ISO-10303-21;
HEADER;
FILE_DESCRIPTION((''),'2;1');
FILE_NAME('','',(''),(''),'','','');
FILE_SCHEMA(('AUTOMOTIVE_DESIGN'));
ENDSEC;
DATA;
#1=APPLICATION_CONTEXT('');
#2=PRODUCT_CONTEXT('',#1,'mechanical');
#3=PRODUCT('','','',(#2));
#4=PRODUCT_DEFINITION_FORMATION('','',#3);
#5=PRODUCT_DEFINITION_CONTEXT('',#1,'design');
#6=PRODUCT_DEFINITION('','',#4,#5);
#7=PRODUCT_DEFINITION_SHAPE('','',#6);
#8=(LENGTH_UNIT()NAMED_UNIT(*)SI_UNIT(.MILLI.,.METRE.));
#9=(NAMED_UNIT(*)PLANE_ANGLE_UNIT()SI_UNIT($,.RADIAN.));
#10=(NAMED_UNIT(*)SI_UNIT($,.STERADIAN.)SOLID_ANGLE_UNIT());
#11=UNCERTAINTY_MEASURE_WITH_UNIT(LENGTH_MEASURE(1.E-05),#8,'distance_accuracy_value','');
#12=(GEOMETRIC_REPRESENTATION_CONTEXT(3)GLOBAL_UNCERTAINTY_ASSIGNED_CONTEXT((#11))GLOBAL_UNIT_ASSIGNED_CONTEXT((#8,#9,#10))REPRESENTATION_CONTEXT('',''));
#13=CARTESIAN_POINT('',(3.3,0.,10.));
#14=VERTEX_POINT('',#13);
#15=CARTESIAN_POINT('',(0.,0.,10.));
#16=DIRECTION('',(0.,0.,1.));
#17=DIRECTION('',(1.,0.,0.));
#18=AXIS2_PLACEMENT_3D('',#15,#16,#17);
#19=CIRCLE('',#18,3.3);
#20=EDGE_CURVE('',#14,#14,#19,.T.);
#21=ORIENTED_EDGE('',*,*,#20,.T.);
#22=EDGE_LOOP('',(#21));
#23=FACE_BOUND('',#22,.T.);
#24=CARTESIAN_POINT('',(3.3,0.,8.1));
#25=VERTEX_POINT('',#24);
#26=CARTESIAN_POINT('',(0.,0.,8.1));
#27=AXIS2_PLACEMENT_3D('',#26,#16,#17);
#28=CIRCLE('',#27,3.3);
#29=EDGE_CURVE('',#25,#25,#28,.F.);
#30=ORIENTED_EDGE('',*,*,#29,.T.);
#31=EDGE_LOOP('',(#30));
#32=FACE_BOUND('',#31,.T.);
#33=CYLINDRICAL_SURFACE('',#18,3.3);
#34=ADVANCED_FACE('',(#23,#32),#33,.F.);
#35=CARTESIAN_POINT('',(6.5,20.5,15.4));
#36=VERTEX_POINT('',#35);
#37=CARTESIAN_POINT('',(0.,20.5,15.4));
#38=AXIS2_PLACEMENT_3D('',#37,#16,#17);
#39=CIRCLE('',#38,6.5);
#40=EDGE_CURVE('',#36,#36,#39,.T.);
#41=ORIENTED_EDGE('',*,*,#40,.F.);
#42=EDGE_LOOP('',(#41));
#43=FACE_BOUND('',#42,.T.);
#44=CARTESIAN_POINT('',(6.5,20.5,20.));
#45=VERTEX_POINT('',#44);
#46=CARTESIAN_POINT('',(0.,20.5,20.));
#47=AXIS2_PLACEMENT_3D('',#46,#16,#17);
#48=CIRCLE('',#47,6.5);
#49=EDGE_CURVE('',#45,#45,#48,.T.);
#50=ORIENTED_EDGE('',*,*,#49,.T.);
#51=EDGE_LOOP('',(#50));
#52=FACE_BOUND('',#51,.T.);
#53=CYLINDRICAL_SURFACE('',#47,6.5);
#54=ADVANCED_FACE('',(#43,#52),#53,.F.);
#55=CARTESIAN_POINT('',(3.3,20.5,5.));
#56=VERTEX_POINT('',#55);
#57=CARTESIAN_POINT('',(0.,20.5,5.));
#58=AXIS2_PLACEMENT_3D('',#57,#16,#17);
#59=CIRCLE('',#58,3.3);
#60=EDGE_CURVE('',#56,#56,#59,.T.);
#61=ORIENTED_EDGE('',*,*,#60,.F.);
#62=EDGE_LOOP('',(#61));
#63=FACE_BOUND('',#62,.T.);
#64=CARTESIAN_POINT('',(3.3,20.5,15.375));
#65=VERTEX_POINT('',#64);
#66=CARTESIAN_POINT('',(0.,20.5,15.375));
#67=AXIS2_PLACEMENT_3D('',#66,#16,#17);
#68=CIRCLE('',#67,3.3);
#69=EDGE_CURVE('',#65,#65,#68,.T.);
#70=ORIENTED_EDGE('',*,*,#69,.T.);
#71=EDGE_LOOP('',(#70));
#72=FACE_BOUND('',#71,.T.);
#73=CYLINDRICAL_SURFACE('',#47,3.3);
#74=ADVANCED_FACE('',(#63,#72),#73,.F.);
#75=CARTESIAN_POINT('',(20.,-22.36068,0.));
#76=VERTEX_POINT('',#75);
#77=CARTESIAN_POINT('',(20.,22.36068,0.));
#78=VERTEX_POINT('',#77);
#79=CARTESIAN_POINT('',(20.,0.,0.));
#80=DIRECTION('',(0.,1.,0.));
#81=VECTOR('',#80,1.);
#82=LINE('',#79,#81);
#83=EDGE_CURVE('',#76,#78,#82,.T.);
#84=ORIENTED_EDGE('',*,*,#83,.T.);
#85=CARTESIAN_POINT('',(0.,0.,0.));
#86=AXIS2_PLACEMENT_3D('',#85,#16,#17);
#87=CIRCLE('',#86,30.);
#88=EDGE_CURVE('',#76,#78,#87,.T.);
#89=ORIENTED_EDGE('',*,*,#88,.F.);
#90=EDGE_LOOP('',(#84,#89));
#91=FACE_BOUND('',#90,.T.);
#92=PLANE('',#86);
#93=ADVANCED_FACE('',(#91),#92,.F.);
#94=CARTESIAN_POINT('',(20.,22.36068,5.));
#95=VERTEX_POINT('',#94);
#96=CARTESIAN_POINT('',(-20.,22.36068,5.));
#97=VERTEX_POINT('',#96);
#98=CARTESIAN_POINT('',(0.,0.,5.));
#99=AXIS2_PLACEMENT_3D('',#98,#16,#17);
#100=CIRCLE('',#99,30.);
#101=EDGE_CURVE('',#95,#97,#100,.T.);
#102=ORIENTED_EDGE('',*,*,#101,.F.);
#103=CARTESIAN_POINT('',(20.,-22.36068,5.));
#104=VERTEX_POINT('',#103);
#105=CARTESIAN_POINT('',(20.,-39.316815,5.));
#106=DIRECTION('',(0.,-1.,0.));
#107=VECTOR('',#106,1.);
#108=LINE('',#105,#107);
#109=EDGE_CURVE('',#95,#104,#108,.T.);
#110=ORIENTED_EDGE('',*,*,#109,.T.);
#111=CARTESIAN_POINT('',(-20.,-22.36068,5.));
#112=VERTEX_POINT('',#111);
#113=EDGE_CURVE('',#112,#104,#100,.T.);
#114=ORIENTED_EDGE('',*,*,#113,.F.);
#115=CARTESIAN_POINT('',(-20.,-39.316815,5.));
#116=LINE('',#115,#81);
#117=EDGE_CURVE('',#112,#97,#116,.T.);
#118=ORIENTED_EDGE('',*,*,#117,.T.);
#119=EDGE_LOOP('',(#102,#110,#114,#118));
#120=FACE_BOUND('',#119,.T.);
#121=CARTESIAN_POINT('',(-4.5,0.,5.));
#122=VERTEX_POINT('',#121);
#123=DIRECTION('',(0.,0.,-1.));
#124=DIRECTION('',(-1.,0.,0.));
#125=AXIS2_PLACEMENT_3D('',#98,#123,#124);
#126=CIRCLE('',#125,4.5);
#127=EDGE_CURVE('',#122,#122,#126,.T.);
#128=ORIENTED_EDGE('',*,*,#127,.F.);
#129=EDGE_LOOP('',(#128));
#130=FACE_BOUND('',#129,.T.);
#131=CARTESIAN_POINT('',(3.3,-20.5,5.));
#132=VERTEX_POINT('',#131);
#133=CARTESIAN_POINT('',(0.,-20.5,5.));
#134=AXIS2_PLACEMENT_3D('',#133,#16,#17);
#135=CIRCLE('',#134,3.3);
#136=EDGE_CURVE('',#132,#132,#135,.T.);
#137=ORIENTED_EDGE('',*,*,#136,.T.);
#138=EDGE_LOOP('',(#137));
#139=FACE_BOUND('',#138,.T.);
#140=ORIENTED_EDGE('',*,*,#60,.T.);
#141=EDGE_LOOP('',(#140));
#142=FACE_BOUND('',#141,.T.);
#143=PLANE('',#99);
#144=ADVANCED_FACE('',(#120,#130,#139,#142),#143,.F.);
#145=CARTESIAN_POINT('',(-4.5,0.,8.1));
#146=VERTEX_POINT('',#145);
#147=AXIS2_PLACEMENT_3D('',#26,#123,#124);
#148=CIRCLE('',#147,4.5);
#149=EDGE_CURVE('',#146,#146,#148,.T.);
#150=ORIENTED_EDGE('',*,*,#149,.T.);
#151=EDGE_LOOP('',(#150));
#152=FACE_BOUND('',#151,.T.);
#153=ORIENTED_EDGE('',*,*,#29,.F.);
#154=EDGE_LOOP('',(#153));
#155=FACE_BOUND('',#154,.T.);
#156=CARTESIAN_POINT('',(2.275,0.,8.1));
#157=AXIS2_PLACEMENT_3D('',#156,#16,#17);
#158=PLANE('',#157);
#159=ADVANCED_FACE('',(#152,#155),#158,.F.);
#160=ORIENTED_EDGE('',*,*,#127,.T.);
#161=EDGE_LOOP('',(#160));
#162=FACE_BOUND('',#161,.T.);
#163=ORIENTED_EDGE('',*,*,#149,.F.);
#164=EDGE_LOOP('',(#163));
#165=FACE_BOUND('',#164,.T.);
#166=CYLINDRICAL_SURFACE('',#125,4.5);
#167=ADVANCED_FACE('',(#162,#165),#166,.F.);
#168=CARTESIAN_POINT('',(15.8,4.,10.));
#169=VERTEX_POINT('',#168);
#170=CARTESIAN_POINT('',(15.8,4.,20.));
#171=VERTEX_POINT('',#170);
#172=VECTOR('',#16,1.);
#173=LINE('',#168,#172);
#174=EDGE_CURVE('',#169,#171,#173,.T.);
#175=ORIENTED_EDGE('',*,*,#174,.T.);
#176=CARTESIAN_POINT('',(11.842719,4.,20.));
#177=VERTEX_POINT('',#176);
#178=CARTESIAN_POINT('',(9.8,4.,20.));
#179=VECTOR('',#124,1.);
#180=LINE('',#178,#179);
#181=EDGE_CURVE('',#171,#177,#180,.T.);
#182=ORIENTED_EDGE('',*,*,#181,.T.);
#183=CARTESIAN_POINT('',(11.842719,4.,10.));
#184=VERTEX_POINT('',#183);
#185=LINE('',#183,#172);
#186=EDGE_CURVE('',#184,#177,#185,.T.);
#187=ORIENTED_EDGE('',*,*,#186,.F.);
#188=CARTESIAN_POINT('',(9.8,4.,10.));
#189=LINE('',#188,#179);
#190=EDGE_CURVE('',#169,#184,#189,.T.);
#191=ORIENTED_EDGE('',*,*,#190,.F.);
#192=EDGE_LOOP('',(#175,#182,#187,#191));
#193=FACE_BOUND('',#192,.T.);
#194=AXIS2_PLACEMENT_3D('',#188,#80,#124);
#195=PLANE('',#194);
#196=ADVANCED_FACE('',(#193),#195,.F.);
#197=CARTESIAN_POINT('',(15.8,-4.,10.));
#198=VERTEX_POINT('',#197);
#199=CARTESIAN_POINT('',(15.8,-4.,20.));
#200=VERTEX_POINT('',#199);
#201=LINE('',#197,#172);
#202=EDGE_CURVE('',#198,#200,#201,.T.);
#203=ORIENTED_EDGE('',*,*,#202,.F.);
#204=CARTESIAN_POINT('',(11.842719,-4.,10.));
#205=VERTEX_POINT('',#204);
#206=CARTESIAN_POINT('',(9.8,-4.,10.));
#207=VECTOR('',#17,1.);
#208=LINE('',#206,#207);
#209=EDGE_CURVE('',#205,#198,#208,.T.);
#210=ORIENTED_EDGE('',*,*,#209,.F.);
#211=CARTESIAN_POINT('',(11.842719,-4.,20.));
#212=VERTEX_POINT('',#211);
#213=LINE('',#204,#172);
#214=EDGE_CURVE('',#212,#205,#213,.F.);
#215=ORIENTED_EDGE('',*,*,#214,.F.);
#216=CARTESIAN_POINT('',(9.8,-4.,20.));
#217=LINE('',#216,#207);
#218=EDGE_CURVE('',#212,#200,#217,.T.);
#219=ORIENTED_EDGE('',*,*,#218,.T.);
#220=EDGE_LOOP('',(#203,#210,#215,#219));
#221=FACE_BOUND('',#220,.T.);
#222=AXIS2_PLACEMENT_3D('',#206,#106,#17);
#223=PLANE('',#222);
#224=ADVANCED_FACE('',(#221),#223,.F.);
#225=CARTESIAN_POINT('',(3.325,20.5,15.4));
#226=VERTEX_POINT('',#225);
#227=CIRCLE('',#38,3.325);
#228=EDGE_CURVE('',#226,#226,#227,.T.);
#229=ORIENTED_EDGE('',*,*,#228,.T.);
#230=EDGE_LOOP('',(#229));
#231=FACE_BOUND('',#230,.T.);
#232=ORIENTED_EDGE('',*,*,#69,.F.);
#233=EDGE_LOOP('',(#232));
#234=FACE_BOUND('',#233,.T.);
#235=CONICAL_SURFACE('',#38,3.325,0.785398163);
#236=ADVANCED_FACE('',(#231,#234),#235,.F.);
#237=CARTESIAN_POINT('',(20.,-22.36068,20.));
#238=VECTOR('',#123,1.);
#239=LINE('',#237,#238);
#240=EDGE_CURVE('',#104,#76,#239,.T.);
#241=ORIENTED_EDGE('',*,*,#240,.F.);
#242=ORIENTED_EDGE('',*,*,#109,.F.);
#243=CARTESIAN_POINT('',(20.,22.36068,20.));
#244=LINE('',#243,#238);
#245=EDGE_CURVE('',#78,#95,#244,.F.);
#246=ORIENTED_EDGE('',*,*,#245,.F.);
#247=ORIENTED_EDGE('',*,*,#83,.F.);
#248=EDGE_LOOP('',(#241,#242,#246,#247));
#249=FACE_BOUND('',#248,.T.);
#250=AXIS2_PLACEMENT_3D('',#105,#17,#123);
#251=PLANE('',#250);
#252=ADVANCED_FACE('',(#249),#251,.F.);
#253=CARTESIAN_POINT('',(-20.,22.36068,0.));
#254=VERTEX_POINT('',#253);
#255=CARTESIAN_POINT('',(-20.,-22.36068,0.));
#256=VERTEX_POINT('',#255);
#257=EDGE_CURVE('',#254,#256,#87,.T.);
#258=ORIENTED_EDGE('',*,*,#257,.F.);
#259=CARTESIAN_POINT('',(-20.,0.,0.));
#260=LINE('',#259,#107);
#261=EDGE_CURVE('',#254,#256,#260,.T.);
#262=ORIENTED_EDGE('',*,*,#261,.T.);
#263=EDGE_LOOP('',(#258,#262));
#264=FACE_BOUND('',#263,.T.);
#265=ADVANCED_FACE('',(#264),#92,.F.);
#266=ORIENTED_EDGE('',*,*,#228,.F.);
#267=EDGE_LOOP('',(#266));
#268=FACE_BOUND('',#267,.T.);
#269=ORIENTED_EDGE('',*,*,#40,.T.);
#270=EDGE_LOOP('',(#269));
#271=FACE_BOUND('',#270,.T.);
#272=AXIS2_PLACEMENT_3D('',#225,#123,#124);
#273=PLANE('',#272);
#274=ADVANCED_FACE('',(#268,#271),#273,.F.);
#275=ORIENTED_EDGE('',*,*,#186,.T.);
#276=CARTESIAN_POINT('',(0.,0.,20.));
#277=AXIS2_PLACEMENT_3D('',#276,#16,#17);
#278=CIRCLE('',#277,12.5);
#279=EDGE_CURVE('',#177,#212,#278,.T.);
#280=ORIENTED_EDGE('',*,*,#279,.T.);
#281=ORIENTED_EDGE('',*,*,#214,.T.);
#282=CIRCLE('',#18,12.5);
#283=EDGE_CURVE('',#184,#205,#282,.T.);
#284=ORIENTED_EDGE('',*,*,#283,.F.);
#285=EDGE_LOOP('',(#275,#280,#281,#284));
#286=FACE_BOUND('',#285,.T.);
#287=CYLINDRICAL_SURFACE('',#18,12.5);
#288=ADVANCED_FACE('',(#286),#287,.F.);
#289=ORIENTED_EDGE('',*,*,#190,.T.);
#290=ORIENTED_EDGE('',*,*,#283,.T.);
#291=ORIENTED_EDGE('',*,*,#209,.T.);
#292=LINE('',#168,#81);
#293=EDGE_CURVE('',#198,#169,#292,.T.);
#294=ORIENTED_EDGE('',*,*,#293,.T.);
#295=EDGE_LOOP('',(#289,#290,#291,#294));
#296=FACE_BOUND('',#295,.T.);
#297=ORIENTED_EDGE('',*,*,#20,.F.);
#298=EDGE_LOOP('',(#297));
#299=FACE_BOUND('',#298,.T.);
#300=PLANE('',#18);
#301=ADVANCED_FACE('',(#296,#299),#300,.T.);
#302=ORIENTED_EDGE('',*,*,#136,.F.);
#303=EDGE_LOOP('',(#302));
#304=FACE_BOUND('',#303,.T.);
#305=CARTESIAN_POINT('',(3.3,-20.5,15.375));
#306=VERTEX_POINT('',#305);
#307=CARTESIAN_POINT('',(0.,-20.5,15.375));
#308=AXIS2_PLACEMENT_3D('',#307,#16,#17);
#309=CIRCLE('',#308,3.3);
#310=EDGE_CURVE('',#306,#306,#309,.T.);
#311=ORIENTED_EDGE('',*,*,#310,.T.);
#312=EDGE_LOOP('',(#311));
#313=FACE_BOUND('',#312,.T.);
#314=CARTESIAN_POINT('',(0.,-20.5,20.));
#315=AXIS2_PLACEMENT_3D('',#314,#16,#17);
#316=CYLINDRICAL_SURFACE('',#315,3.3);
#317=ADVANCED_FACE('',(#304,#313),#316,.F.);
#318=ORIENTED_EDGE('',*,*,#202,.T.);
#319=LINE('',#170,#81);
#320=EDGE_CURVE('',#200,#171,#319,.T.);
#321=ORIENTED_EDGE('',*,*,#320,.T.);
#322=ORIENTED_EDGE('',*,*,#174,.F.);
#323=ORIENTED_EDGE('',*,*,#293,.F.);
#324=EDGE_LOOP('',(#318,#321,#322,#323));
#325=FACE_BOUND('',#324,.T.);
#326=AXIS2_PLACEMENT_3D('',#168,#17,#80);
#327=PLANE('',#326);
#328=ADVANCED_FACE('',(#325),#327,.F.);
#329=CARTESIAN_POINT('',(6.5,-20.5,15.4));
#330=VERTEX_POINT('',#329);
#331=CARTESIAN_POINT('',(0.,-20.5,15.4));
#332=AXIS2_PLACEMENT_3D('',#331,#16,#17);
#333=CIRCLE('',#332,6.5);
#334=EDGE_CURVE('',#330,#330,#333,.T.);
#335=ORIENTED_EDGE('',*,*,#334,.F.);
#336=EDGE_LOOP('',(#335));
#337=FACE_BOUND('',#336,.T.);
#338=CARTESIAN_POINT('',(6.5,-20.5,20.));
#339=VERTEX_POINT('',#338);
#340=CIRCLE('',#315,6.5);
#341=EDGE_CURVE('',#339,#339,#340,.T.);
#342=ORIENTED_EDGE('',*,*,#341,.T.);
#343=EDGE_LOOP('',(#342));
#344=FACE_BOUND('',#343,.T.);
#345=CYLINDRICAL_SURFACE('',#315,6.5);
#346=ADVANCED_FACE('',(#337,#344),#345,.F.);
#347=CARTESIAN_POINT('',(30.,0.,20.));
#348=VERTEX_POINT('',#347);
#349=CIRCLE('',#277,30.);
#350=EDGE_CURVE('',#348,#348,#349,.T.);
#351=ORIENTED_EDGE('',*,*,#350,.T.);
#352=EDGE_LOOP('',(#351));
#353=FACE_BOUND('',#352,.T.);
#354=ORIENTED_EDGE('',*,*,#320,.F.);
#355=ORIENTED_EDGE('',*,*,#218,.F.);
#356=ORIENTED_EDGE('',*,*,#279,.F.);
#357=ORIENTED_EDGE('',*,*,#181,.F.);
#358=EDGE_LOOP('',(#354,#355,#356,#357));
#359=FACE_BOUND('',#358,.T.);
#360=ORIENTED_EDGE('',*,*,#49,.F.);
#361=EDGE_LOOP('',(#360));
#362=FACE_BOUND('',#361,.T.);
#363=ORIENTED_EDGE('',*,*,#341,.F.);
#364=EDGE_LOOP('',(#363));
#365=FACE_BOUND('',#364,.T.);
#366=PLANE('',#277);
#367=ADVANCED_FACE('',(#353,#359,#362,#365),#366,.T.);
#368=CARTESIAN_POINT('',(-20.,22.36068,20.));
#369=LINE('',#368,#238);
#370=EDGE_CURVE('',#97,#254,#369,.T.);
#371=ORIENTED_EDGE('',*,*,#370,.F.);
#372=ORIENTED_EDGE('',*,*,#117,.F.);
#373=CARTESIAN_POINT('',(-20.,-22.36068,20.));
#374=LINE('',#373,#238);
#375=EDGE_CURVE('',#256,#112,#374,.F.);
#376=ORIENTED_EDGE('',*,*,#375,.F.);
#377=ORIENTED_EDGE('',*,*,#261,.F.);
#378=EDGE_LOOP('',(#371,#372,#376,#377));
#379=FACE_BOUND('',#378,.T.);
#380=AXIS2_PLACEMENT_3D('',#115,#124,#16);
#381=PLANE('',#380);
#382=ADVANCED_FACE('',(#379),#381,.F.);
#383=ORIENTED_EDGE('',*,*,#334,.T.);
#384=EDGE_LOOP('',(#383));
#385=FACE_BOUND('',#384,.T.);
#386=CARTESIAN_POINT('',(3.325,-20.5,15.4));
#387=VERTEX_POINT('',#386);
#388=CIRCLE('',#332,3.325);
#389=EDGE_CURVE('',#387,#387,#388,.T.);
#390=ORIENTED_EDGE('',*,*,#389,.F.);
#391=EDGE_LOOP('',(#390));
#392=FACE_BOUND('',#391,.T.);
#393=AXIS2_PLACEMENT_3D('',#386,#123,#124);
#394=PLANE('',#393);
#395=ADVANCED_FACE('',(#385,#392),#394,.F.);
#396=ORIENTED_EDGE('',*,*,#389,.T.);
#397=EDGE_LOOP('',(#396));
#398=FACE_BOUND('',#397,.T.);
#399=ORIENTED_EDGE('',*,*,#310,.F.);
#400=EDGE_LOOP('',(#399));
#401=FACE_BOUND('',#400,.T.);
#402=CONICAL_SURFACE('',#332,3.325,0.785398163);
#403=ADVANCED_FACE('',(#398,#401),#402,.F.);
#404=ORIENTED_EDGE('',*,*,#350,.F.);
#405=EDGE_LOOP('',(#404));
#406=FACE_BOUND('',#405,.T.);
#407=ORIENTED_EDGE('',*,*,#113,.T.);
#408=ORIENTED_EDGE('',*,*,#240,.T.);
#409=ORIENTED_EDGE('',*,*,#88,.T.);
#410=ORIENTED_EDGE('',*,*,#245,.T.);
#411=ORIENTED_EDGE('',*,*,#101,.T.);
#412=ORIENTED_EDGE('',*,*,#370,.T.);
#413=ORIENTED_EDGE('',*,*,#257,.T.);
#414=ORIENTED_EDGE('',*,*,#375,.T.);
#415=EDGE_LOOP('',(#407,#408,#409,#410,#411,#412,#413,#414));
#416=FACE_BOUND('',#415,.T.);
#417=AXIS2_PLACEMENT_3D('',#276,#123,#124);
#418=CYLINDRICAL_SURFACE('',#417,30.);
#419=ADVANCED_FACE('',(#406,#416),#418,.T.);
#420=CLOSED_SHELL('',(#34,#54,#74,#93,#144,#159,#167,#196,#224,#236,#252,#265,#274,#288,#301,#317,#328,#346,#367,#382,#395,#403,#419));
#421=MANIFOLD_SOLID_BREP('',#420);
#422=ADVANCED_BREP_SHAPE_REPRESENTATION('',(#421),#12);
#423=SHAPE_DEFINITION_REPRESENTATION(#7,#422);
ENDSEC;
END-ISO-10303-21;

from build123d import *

# Parameters (mm, degrees)
ESQUISSE1_R                                  = 30
BOSS_EXTRU_1_DEPTH                           = 20
ESQUISSE2_W                                  = 40
ESQUISSE2_H                                  = 78.633630418
ENL_V_MAT_EXTRU_1_DEPTH                      = 5
ESQUISSE3_R                                  = 12.5
ENL_V_MAT_EXTRU_2_DEPTH                      = 10
D_GAGEMENT_M61_D                             = 6.6
CHAMBRAGE_POUR_VIS_T_TE_RONDE_BOMB_2_A_COUNT = 2
CHAMBRAGE_POUR_VIS_T_TE_RONDE_BOMB_2_A_PITCH = 41
ESQUISSE11_W                                 = 6
ESQUISSE11_H                                 = 8
ENL_V_MAT_EXTRU_8_DEPTH                      = 10


with BuildPart() as part:
    # Esquisse1 → Boss.-Extru.1 (new body)
    with BuildSketch(Plane.XY):
        Circle(ESQUISSE1_R)
    extrude(amount=BOSS_EXTRU_1_DEPTH)

    # Esquisse2 → Enlèv. mat.-Extru.1 (cut)
    with BuildSketch(Plane(origin=(0, 0, 0), x_dir=(-1, 0, 0), z_dir=(0, 0, -1))):
        Rectangle(ESQUISSE2_W, ESQUISSE2_H)
    extrude(amount=-ENL_V_MAT_EXTRU_1_DEPTH, mode=Mode.SUBTRACT)

    # Esquisse3 → Enlèv. mat.-Extru.2 (cut)
    with BuildSketch(Plane.XY.offset(20)):
        Circle(ESQUISSE3_R)
    extrude(amount=-ENL_V_MAT_EXTRU_2_DEPTH, mode=Mode.SUBTRACT)

    # Dégagement M61 (through all)
    with Locations(Plane.XY.offset(10)):
        with Locations((0, 0)):
            Hole(D_GAGEMENT_M61_D / 2)

    # Esquisse7 → Chambrage pour vis _ t_te ronde bomb_e M (revolve, cut)
    with BuildSketch(Plane(origin=(0, 0, 5), x_dir=(0, 1, 0), z_dir=(1, 0, 0))):
        Polygon((0, 0), (0, 15), (2.25, 15), (2.25, 3.125), (2.275, 3.1), (4.5, 3.1), (4.5, 0), align=None)
    revolve(axis=Axis((0, 0, -1.35), (0, 0, 1)), mode=Mode.SUBTRACT)

    # Esquisse9 → Chambrage pour vis _ t_te ronde bomb 2 (revolve, cut)
    with BuildSketch(Plane(origin=(0, -20.5, 20), x_dir=(0, -1, 0), z_dir=(1, 0, 0))):
        Polygon((0, 0), (0, 20), (3.3, 20), (3.3, 4.625), (3.325, 4.6), (6.5, 4.6), (6.5, 0), align=None)
    chambrage_pour_vis_t_te_ronde_bomb_2 = revolve(axis=Axis((0, -20.5, 26.35), (0, 0, -1)), mode=Mode.SUBTRACT)

    # Chambrage pour vis _ t_te ronde bomb 2 a: Chambrage pour vis _ t_te ronde bomb 2 ×2
    with Locations(*[(0, i * CHAMBRAGE_POUR_VIS_T_TE_RONDE_BOMB_2_A_PITCH, 0) for i in range(1, CHAMBRAGE_POUR_VIS_T_TE_RONDE_BOMB_2_A_COUNT)]):
        add(chambrage_pour_vis_t_te_ronde_bomb_2, mode=Mode.SUBTRACT)

    # Esquisse11 → Enlèv. mat.-Extru.8 (cut)
    with BuildSketch(Plane.XY.offset(20)):
        with Locations((12.8, 0)):
            Rectangle(ESQUISSE11_W, ESQUISSE11_H)
    extrude(amount=-ENL_V_MAT_EXTRU_8_DEPTH, mode=Mode.SUBTRACT)


solid = part.part
